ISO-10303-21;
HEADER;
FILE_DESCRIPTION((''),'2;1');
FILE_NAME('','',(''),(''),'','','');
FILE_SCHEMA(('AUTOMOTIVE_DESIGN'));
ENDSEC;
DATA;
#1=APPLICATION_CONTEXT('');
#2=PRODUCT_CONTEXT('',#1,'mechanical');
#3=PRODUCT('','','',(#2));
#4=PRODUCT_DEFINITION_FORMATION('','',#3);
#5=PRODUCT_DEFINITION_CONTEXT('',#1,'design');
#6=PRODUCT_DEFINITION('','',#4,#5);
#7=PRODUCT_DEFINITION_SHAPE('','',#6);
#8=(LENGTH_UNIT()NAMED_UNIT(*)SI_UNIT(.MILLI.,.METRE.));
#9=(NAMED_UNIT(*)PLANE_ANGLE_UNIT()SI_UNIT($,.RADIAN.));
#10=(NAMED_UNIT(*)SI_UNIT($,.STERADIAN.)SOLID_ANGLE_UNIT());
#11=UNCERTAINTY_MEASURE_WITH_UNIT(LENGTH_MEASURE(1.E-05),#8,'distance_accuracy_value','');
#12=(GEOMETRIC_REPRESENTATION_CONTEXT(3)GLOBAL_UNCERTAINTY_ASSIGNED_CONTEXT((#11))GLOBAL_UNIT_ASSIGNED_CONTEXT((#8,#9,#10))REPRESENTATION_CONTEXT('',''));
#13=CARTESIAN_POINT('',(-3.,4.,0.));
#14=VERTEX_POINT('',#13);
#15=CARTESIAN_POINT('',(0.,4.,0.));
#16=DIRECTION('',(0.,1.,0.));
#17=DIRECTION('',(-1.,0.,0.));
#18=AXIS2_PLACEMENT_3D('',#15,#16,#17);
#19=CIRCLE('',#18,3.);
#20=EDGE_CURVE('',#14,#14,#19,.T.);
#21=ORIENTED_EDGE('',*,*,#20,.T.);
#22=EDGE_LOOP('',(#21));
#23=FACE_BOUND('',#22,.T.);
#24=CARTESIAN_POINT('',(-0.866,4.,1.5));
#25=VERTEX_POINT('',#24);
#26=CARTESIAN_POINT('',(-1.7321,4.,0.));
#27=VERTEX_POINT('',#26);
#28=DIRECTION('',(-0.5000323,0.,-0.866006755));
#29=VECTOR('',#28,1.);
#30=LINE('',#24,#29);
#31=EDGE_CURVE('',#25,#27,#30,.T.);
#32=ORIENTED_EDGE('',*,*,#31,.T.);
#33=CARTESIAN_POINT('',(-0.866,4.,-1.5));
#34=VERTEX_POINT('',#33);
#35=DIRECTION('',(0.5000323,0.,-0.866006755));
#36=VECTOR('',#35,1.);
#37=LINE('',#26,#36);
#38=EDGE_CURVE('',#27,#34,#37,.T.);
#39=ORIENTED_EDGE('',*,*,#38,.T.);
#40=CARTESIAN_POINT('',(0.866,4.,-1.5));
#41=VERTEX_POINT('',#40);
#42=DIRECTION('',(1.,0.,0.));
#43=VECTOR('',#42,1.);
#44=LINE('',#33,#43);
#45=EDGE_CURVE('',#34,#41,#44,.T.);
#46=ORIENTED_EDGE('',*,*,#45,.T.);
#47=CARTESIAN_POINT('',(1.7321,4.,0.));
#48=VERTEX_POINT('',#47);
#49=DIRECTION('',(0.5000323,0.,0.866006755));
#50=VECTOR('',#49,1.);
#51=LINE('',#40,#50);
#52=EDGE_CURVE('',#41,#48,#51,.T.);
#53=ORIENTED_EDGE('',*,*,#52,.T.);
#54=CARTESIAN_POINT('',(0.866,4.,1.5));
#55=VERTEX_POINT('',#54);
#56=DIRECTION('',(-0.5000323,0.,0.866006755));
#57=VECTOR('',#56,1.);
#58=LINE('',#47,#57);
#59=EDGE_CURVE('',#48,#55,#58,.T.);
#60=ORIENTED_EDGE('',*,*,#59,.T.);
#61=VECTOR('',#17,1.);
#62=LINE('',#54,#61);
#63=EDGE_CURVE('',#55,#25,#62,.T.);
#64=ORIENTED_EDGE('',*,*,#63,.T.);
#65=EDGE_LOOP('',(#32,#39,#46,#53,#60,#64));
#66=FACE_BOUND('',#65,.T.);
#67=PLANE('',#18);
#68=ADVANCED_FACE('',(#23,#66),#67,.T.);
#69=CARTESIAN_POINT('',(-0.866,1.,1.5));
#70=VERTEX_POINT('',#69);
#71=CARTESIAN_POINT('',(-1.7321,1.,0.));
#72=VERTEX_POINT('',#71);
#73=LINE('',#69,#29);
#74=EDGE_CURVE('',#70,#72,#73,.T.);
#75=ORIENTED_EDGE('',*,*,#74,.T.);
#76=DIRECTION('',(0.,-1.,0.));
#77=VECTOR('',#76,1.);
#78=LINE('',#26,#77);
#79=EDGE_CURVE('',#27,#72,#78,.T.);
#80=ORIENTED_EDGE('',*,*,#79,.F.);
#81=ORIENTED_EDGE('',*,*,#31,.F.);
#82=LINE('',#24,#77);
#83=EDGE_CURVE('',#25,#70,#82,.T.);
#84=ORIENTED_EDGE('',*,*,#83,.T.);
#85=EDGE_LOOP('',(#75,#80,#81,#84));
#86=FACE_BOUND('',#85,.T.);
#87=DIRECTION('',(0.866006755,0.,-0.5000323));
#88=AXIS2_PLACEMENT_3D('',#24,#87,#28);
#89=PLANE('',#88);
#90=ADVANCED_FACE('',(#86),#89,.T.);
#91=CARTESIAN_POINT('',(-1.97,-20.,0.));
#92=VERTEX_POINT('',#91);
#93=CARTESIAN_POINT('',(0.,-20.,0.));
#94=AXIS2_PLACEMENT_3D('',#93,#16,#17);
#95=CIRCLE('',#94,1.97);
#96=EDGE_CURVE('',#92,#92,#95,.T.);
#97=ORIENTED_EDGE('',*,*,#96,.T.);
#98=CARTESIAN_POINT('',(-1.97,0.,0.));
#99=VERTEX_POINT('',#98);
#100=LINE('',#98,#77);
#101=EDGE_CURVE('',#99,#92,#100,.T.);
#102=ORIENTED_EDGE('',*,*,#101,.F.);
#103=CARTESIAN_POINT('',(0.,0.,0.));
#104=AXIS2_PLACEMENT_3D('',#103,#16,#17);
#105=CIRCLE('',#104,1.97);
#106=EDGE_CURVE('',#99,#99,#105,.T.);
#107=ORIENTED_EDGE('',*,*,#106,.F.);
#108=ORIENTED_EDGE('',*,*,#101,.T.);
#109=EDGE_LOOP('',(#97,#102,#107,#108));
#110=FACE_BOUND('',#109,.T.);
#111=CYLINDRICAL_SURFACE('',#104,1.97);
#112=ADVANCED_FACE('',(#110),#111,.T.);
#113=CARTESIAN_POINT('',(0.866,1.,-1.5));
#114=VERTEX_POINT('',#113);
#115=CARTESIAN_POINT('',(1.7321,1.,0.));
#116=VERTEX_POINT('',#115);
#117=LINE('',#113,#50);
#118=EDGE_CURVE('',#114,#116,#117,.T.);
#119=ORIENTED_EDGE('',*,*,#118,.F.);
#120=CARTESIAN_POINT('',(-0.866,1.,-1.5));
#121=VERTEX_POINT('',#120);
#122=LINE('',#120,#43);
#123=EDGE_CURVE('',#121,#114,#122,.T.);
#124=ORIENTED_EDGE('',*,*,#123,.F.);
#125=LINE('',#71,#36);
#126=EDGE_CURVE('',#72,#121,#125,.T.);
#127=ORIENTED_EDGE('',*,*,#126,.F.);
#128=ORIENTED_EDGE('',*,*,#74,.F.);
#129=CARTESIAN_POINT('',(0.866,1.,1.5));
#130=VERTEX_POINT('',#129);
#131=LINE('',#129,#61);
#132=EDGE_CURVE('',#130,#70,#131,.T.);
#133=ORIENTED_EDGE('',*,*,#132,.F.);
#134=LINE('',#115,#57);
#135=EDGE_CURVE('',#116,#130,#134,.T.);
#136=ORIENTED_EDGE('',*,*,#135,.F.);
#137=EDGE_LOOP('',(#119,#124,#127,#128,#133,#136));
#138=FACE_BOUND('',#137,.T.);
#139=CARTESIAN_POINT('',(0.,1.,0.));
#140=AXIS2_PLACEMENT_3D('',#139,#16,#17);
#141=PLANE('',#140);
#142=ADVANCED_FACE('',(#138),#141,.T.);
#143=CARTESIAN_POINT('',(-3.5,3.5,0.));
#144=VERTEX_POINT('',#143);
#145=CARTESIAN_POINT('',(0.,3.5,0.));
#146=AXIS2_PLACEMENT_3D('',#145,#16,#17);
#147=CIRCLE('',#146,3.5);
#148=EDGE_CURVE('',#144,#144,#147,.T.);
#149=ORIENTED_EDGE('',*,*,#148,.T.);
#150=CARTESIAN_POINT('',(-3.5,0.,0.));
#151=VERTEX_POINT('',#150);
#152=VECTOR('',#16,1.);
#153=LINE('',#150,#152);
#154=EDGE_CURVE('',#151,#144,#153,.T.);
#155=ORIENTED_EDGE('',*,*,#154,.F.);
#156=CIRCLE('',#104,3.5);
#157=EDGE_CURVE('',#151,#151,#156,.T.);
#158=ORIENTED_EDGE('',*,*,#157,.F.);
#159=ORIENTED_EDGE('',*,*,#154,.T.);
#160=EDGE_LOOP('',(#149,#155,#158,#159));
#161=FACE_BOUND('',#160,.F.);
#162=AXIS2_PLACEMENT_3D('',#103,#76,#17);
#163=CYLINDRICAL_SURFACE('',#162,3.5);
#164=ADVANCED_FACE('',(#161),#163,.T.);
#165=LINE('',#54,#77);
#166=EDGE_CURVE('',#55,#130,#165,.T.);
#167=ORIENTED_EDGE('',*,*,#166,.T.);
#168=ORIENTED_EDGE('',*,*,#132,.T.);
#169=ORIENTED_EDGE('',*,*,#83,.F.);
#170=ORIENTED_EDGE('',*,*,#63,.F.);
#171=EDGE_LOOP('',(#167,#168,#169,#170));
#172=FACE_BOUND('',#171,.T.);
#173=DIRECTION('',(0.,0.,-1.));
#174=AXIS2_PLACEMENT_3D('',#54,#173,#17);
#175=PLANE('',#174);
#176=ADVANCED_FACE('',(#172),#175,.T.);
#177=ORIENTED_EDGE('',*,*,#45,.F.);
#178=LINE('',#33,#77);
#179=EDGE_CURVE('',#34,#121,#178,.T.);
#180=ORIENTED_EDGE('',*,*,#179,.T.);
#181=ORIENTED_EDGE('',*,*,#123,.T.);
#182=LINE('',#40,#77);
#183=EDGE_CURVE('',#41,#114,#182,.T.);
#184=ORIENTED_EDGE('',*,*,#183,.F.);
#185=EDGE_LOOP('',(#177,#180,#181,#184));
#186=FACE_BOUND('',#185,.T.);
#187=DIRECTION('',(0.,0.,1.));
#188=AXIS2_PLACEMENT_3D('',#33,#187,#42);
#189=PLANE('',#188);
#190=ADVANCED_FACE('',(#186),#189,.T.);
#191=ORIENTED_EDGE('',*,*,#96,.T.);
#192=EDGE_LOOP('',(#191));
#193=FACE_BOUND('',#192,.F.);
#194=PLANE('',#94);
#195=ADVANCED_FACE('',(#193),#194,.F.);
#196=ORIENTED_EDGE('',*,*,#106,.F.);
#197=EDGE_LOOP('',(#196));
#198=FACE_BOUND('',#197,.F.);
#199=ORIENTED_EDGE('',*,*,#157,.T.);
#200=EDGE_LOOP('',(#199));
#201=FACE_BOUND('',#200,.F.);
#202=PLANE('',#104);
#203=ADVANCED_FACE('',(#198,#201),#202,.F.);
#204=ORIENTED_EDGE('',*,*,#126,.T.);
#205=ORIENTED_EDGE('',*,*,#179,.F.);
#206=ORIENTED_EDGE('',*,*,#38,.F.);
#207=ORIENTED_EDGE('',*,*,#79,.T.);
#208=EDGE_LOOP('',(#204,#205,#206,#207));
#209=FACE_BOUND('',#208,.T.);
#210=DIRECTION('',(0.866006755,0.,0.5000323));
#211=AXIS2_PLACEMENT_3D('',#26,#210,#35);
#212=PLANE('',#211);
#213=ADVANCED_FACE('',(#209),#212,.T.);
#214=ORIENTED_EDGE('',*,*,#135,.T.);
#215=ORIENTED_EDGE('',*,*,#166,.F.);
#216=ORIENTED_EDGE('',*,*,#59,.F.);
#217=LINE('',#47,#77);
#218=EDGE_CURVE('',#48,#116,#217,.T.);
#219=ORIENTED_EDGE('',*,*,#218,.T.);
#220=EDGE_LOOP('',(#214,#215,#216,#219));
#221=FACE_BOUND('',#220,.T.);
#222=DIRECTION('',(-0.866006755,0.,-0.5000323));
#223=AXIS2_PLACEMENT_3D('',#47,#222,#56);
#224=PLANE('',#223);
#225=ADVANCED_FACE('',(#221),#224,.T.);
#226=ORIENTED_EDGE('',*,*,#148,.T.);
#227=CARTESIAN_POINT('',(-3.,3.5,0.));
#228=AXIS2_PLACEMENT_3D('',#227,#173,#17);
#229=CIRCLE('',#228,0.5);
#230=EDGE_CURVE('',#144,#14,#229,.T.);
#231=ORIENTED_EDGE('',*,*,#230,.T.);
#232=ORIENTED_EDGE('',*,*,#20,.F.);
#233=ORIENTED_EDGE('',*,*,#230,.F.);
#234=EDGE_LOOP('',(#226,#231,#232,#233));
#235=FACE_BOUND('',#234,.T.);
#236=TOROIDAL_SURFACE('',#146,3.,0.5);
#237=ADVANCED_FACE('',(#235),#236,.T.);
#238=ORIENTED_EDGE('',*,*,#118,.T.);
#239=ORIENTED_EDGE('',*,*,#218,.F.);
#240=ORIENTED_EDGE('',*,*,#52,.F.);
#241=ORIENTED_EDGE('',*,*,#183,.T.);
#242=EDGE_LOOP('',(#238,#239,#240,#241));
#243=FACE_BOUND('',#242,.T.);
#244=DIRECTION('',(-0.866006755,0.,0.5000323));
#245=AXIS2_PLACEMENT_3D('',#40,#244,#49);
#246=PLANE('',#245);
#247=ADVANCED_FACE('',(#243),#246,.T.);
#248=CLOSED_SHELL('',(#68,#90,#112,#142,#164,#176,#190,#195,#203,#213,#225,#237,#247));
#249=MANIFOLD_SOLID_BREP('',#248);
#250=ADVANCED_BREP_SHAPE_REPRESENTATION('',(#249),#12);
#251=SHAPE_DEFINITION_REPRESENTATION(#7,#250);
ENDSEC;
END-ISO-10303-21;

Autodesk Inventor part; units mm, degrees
ref_plane "YZ Plane" through (0, 0, 0) normal (1, 0, 0) x (0, 1, 0)
ref_plane "XZ Plane" through (0, 0, 0) normal (0, 1, 0) x (-1, 0, 0)
ref_plane "XY Plane" through (0, 0, 0) normal (0, 0, 1) x (1, 0, 0)
sketch "Sketch1" plane through (0, 0, 0) normal (0, 1, 0) x (-1, 0, 0)
  circle A0 centre (0, 0) radius 1.97
  circle A1 centre (0, 0) radius 3.5
  line L0 (0.866, -1.5) -> (-0.866, -1.5)
  line L1 (-0.866, -1.5) -> (-1.7321, 0)
  line L2 (-1.7321, 0) -> (-0.866, 1.5)
  line L3 (-0.866, 1.5) -> (0.866, 1.5)
  line L4 (0.866, 1.5) -> (1.7321, 0)
  line L5 (1.7321, 0) -> (0.866, -1.5)
  dimension "d0" = 3.94
  dimension "d1" = 7
  dimension "d8" = 3
extrude "Extrusion1" add sketch "Sketch1" along normal blind 4 contours A0 | A1 | L0 L1 L2 L3 L4 L5
extrude "Extrusion2" add sketch "Sketch1" against normal blind 20 contours A0 | L0 L1 L2 L3 L4 L5
extrude "Extrusion3" cut sketch "Sketch1" against normal blind 3 from surface at 4 contours L0 L1 L2 L3 L4 L5
fillet "Fillet1" radius 0.5 1 edges at (3.5, 4, 0)
thread "Thread2" size "M5x0.8" class "6g" standard "ANSI Metric M Profile" full length
equation "\"d4\" = length"
equation "\"length\" = 20"
properties part number "M4x20"
